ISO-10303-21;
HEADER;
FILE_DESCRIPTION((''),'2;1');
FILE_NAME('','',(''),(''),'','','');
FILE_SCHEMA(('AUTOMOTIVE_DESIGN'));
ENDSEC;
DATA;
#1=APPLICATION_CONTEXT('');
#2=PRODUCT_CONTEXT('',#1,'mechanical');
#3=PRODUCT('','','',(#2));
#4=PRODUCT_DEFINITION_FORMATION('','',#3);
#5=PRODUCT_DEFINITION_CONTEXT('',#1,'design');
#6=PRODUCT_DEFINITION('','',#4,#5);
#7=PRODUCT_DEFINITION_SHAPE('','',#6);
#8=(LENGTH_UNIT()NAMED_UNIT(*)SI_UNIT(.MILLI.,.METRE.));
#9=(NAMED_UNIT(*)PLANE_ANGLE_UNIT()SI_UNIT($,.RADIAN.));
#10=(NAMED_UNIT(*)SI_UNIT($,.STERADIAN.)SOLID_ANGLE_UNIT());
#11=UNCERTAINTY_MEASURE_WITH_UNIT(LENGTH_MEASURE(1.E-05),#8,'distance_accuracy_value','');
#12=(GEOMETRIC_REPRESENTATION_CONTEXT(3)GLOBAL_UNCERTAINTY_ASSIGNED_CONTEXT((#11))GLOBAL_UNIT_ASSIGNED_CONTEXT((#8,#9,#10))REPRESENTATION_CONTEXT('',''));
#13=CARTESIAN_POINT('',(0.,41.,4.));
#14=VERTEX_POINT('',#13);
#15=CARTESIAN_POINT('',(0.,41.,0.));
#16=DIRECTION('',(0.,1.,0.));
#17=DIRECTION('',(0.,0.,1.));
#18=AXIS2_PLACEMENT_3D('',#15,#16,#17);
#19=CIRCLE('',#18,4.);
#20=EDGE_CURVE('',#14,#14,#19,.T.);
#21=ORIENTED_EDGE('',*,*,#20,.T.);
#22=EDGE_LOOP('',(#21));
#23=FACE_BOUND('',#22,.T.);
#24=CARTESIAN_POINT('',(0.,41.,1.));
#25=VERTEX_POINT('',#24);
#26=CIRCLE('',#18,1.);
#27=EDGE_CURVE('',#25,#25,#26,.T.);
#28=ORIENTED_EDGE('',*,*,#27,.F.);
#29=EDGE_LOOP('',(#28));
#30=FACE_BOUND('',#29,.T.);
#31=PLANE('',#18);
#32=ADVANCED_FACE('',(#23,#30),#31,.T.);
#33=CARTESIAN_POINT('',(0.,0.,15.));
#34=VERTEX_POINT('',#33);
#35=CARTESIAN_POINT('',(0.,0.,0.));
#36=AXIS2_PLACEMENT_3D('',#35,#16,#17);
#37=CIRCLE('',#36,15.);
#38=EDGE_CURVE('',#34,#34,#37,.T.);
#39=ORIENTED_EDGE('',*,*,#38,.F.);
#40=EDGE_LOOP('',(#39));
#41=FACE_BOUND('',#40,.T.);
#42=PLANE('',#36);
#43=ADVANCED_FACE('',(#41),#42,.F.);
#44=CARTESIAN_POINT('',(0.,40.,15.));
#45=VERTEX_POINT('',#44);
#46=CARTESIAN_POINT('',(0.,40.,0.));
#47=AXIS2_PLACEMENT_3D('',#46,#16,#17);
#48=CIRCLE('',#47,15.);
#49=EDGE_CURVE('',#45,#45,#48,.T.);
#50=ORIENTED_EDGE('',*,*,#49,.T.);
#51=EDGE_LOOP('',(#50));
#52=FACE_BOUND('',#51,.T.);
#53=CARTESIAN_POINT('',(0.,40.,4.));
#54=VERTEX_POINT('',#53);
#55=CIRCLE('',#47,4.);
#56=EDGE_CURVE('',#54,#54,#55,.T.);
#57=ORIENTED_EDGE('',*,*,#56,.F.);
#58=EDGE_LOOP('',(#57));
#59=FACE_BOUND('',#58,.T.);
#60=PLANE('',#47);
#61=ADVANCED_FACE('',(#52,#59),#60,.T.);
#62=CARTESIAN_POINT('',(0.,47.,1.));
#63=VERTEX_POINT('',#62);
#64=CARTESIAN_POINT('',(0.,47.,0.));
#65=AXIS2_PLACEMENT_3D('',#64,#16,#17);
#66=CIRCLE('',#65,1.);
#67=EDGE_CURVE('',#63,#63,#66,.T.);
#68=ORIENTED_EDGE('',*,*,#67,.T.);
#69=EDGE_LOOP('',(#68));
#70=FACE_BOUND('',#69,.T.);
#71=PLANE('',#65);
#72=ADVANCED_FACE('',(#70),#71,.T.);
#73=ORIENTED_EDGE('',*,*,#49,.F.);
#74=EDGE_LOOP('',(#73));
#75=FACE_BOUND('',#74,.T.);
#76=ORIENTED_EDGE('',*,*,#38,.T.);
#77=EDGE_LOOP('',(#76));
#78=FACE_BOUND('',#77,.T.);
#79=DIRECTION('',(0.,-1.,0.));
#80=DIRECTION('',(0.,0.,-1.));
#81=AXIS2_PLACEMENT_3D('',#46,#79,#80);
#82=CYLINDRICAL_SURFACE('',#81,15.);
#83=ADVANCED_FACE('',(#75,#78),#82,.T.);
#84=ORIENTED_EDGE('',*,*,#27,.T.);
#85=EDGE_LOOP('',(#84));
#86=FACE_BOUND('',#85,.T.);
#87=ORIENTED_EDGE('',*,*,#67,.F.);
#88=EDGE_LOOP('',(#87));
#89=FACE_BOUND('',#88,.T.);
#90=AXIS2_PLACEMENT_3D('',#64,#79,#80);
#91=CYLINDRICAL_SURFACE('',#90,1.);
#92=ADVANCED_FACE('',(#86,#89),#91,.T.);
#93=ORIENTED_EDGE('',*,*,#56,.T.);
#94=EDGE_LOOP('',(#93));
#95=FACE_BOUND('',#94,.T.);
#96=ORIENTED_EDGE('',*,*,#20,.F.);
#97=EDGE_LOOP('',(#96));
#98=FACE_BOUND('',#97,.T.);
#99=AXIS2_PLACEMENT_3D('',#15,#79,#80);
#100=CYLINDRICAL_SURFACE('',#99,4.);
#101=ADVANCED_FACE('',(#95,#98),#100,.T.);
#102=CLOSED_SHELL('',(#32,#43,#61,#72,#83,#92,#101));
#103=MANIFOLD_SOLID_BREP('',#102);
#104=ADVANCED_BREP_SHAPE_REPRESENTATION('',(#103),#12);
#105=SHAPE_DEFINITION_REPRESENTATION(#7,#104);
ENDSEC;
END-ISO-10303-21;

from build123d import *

# Parameters (mm, degrees)
ESQUISSE1_R      = 15
EXTRUSION1_DEPTH = 40
ESQUISSE2_R      = 4
EXTRUSION2_DEPTH = 1
ESQUISSE3_R      = 1
EXTRUSION3_DEPTH = 6


with BuildPart() as part:
    # Esquisse1 → Extrusion1 (new body)
    with BuildSketch(Plane(origin=(0, 0, 0), x_dir=(1, 0, 0), z_dir=(0, 1, 0))):
        Circle(ESQUISSE1_R)
    extrude(amount=EXTRUSION1_DEPTH)

    # Esquisse2 → Extrusion2 (add)
    with BuildSketch(Plane(origin=(0, 40, 0), x_dir=(1, 0, 0), z_dir=(0, 1, 0))):
        Circle(ESQUISSE2_R)
    extrude(amount=EXTRUSION2_DEPTH)

    # Esquisse3 → Extrusion3 (add)
    with BuildSketch(Plane(origin=(0, 41, 0), x_dir=(1, 0, 0), z_dir=(0, 1, 0))):
        Circle(ESQUISSE3_R)
    extrude(amount=EXTRUSION3_DEPTH)


solid = part.part
